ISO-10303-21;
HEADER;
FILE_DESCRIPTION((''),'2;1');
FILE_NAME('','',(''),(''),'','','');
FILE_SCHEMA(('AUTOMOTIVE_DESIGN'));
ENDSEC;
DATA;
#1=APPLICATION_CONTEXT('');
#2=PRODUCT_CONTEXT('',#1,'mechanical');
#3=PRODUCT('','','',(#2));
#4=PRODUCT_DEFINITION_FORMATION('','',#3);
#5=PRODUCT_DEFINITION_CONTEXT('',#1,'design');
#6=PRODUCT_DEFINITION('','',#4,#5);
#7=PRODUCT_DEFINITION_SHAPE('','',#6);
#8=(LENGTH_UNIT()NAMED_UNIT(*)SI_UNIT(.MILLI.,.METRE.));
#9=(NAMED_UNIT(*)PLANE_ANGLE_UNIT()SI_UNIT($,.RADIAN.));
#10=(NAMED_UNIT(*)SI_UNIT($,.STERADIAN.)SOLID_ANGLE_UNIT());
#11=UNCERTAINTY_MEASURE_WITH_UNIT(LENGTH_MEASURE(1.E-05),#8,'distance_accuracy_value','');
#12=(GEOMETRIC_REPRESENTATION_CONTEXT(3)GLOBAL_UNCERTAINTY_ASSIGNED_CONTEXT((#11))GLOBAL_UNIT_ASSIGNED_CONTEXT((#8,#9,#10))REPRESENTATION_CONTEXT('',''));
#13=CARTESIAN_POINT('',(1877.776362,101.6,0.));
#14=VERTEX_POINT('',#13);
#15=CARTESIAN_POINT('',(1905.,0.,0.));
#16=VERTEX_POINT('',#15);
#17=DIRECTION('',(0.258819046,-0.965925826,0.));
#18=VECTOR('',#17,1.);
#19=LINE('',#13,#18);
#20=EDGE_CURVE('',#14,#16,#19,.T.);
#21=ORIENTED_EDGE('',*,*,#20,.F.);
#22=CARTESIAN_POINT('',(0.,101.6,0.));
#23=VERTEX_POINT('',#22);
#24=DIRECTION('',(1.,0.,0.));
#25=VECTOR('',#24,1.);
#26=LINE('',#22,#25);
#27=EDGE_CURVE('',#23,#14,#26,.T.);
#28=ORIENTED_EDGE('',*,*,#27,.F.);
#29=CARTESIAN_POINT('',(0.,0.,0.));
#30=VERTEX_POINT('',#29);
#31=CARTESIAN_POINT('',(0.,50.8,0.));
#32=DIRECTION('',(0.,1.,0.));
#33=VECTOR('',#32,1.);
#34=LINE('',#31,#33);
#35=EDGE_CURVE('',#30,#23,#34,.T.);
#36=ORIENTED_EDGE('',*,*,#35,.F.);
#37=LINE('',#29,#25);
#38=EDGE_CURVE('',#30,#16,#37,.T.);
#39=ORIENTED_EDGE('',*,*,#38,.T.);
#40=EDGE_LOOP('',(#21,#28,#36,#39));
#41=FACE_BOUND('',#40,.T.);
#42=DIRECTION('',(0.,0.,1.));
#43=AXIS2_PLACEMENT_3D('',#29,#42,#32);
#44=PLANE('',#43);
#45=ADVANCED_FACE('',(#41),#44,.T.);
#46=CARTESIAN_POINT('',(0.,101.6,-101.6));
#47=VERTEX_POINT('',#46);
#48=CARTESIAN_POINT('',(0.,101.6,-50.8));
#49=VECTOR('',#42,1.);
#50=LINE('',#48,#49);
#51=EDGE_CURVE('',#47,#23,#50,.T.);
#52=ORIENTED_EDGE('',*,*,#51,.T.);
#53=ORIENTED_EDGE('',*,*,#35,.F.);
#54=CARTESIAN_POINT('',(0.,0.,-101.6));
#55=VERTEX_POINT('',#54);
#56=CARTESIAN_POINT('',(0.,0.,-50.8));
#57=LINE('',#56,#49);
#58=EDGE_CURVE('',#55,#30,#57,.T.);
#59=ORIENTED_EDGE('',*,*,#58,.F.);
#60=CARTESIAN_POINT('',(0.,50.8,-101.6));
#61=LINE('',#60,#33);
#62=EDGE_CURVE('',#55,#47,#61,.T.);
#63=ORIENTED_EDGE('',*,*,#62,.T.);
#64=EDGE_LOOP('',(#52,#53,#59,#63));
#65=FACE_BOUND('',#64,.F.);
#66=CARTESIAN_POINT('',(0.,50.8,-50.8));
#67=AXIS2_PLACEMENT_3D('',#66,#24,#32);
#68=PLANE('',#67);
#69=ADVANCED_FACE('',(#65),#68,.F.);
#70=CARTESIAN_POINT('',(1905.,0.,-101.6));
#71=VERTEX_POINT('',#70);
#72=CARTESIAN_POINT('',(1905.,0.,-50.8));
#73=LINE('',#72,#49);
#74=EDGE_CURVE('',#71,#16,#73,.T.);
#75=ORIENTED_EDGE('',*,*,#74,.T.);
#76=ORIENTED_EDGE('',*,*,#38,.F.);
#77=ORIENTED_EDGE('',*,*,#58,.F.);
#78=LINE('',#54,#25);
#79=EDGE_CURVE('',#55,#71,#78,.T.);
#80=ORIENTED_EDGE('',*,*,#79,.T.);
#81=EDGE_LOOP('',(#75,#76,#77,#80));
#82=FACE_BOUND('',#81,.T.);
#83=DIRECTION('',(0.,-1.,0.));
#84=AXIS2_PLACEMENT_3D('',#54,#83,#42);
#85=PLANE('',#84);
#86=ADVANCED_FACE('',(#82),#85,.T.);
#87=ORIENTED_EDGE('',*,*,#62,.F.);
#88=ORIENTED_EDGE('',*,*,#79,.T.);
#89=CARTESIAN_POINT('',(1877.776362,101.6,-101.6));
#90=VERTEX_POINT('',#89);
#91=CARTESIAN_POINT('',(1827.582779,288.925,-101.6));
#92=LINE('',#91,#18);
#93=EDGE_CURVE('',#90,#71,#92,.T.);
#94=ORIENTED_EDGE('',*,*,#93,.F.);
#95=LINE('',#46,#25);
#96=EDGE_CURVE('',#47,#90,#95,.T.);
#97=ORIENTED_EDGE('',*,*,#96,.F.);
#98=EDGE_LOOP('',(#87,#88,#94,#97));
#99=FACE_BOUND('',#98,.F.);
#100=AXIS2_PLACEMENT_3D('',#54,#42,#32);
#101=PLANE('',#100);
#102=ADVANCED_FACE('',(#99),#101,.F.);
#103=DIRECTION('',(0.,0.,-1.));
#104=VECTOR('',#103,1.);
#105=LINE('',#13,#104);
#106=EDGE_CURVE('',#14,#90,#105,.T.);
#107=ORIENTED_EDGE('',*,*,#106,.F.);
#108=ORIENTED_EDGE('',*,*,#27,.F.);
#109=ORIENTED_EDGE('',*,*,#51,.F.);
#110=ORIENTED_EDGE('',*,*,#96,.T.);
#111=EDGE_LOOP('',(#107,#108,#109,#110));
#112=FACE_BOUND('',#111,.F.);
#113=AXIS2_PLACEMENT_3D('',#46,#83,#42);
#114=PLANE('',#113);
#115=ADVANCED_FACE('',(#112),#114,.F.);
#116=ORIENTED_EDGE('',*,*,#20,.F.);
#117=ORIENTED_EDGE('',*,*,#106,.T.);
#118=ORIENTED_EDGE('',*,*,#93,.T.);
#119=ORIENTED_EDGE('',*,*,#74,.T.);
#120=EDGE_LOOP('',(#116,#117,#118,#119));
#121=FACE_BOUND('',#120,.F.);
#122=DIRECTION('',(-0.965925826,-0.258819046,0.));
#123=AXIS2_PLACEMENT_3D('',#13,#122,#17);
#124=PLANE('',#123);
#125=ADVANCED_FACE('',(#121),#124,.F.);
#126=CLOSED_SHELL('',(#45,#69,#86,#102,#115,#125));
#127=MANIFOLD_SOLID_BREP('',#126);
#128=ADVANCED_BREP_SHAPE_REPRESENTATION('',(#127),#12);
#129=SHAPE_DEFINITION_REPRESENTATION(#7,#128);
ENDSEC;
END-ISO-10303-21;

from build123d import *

# Parameters (mm, degrees)
F0_W     = 101.6
F0_H     = 101.6
F1_DEPTH = 1905
F3_DEPTH = 127


with BuildPart() as f1:
    # F0 (on Right) → F1 (new body)
    with BuildSketch(Plane.YZ):
        with Locations((50.8, -50.8)):
            Rectangle(F0_W, F0_H)
    extrude(amount=F1_DEPTH)

    # F2 (on Top) → F3 (cut)
    with BuildSketch(Plane.XY):
        Polygon((1905, 101.6), (1877.776362, 101.6), (1905, 0), align=None)
    extrude(amount=-F3_DEPTH, mode=Mode.SUBTRACT)


solid = f1.part
